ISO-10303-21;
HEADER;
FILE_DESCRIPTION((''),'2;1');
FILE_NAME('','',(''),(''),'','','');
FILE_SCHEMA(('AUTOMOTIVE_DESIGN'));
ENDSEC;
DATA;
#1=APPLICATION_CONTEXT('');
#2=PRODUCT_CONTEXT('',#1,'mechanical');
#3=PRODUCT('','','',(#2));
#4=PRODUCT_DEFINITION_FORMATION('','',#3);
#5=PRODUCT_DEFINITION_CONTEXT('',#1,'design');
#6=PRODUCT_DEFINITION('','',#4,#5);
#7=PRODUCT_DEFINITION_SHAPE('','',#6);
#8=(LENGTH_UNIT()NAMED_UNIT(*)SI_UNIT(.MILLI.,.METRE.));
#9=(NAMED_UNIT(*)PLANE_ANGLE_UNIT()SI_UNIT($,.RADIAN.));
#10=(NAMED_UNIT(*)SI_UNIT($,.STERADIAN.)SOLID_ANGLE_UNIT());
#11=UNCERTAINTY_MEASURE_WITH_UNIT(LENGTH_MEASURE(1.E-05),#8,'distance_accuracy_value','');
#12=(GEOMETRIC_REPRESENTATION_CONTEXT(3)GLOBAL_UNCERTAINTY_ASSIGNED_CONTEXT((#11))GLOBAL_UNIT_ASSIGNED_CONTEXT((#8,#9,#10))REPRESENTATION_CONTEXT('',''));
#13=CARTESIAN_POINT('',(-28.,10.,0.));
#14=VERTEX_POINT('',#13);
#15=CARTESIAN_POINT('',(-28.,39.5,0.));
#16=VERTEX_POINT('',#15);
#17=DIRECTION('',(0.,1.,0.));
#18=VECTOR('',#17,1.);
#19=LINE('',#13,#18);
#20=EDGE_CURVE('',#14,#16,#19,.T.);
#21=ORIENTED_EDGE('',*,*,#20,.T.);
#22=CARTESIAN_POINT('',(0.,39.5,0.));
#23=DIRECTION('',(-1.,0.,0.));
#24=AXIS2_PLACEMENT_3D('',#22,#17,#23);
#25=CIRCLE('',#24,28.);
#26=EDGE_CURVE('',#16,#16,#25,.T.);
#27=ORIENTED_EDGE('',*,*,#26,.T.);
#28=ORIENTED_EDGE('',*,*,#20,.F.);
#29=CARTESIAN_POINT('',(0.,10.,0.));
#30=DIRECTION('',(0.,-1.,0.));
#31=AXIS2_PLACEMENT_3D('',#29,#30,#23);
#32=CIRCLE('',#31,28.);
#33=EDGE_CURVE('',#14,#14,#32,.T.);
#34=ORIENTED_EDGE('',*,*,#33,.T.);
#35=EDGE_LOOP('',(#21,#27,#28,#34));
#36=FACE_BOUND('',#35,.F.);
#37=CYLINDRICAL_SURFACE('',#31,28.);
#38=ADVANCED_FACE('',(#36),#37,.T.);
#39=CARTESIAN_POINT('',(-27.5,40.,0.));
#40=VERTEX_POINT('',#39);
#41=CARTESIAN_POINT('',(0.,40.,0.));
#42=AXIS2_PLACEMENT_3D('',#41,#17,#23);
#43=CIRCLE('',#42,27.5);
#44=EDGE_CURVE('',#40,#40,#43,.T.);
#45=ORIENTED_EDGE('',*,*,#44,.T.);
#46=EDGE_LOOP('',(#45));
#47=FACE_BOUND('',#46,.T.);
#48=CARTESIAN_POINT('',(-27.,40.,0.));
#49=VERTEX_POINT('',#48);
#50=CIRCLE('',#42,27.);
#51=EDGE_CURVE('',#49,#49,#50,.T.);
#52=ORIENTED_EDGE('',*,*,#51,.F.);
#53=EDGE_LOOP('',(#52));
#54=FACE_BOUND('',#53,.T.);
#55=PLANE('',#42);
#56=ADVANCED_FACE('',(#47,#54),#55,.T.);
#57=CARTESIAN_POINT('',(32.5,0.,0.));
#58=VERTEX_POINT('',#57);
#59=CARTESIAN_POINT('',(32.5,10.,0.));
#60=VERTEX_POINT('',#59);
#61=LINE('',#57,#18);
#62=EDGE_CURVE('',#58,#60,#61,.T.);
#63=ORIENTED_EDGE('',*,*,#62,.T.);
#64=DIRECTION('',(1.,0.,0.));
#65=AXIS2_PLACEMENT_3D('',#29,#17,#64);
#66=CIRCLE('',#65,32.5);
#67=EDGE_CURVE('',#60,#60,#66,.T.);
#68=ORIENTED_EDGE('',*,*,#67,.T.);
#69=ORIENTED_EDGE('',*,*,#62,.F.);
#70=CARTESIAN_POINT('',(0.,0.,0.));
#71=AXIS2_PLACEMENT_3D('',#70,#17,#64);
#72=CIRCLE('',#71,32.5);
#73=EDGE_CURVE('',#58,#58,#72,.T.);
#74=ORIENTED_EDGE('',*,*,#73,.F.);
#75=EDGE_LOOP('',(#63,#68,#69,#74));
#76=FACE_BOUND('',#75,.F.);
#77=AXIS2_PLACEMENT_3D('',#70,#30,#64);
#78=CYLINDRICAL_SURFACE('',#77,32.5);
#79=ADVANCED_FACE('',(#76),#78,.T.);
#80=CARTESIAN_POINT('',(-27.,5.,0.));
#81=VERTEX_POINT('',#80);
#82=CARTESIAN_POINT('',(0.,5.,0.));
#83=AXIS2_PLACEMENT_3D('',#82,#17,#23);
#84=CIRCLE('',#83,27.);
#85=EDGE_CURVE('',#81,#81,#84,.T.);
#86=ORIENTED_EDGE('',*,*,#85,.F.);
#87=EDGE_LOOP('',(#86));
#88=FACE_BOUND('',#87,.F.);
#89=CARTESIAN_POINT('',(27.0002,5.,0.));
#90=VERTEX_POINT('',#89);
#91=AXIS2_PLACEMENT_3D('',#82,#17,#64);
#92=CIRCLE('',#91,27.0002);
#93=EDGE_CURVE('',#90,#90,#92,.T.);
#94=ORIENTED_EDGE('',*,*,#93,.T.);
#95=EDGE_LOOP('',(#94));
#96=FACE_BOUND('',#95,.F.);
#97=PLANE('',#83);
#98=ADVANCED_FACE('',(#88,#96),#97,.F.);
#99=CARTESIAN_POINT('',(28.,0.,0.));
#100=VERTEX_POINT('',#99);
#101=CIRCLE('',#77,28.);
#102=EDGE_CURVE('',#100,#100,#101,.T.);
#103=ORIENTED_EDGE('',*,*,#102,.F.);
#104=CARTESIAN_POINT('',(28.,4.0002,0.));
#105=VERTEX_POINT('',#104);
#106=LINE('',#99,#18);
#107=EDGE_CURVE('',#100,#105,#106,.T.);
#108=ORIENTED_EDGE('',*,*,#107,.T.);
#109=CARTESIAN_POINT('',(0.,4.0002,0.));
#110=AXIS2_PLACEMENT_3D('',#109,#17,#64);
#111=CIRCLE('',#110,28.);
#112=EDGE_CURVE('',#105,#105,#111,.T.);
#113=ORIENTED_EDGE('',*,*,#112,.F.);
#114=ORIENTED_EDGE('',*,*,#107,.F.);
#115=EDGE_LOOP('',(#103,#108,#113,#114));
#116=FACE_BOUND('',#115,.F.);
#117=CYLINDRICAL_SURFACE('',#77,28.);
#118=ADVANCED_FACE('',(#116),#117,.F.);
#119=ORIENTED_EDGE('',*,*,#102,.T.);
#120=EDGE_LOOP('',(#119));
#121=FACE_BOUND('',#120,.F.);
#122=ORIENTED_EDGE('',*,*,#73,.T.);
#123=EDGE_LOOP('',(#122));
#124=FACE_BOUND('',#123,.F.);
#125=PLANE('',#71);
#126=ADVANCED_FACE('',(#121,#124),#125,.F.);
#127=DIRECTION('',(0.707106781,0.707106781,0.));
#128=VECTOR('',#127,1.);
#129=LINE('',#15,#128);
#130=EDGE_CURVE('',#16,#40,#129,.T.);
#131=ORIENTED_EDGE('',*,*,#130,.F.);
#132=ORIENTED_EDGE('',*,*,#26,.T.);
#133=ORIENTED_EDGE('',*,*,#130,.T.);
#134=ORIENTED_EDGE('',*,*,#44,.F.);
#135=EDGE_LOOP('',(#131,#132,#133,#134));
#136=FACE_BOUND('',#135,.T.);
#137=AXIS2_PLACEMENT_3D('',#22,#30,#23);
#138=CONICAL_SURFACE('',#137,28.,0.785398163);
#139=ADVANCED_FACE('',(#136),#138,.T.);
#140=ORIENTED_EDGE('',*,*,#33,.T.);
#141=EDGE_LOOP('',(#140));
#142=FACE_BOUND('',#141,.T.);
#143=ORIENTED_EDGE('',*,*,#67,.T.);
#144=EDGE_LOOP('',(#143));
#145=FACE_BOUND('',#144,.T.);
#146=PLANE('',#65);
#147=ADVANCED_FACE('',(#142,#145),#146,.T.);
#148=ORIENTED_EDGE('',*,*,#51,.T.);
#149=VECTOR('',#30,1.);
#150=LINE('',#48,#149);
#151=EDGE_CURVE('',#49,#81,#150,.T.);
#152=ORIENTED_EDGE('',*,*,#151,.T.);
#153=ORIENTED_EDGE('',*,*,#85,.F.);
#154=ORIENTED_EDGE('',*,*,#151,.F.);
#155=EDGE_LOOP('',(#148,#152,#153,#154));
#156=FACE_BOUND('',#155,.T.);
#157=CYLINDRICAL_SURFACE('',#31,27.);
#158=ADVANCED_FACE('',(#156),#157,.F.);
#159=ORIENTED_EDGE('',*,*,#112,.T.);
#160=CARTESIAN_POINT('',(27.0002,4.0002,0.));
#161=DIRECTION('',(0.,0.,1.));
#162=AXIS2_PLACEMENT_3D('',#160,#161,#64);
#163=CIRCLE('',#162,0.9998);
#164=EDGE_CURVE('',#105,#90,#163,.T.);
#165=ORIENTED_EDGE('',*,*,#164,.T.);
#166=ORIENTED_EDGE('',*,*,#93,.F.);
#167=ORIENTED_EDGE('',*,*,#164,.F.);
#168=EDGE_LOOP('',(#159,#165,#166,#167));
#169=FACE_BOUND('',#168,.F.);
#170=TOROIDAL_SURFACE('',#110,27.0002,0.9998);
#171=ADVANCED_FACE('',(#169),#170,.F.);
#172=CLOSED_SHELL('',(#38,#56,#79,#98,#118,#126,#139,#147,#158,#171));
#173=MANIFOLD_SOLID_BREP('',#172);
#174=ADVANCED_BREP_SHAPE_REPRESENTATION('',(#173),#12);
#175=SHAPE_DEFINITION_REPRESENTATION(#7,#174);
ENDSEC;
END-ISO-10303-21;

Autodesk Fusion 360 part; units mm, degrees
sketch "Sketch1" plane through (0, 0, 0) normal (0, 1, 0) x (1, 0, 0)
  circle A0 centre (0, 0) radius 32.5
  circle A1 centre (0, 0) radius 28.5
  dimension "d1" = 65
  dimension "d2" = 57
extrude "Extrude1" add sketch "Sketch1" along normal blind 10 makes body 1
sketch "Sketch2" plane through (0, 10, 0) normal (0, 1, 0) x (-1, 0, 0)
  circle A0 centre (0, 0) radius 28.5
  circle A1 centre (0, 0) radius 32.5
  circle A2 centre (0, 0) radius 28.5
  circle A3 centre (0, 0) radius 28
  circle A4 centre (0, 0) radius 27
  dimension "d5" = -0.5
  dimension "d8" = -1.5
extrude "Extrude3" add sketch "Sketch2" along normal blind 30 and the other way blind 5 separate body contours A3 makes body 2
sketch "Sketch3" plane through (0, 0, 0) normal (0, -1, 0) x (1, 0, 0)
  circle A0 centre (0, 0) radius 28.5
  circle A1 centre (0, 0) radius 32.5
  circle A2 centre (0, 0) radius 28.5
  circle A3 centre (0, 0) radius 28
extrude "Extrude4" add sketch "Sketch3" against normal blind 10 contours A0 A2 bodies 1 2
fillet "Fillet1" radius 1 1 edges at (26.1052, 5, 10.1252) on bodies 1
chamfer "Chamfer1" distance 0.5 angle 45 1 edges at (26.1052, 40, -10.1252) on bodies 1 2
equation "d8 = -0.5 mm - 1 mm"
